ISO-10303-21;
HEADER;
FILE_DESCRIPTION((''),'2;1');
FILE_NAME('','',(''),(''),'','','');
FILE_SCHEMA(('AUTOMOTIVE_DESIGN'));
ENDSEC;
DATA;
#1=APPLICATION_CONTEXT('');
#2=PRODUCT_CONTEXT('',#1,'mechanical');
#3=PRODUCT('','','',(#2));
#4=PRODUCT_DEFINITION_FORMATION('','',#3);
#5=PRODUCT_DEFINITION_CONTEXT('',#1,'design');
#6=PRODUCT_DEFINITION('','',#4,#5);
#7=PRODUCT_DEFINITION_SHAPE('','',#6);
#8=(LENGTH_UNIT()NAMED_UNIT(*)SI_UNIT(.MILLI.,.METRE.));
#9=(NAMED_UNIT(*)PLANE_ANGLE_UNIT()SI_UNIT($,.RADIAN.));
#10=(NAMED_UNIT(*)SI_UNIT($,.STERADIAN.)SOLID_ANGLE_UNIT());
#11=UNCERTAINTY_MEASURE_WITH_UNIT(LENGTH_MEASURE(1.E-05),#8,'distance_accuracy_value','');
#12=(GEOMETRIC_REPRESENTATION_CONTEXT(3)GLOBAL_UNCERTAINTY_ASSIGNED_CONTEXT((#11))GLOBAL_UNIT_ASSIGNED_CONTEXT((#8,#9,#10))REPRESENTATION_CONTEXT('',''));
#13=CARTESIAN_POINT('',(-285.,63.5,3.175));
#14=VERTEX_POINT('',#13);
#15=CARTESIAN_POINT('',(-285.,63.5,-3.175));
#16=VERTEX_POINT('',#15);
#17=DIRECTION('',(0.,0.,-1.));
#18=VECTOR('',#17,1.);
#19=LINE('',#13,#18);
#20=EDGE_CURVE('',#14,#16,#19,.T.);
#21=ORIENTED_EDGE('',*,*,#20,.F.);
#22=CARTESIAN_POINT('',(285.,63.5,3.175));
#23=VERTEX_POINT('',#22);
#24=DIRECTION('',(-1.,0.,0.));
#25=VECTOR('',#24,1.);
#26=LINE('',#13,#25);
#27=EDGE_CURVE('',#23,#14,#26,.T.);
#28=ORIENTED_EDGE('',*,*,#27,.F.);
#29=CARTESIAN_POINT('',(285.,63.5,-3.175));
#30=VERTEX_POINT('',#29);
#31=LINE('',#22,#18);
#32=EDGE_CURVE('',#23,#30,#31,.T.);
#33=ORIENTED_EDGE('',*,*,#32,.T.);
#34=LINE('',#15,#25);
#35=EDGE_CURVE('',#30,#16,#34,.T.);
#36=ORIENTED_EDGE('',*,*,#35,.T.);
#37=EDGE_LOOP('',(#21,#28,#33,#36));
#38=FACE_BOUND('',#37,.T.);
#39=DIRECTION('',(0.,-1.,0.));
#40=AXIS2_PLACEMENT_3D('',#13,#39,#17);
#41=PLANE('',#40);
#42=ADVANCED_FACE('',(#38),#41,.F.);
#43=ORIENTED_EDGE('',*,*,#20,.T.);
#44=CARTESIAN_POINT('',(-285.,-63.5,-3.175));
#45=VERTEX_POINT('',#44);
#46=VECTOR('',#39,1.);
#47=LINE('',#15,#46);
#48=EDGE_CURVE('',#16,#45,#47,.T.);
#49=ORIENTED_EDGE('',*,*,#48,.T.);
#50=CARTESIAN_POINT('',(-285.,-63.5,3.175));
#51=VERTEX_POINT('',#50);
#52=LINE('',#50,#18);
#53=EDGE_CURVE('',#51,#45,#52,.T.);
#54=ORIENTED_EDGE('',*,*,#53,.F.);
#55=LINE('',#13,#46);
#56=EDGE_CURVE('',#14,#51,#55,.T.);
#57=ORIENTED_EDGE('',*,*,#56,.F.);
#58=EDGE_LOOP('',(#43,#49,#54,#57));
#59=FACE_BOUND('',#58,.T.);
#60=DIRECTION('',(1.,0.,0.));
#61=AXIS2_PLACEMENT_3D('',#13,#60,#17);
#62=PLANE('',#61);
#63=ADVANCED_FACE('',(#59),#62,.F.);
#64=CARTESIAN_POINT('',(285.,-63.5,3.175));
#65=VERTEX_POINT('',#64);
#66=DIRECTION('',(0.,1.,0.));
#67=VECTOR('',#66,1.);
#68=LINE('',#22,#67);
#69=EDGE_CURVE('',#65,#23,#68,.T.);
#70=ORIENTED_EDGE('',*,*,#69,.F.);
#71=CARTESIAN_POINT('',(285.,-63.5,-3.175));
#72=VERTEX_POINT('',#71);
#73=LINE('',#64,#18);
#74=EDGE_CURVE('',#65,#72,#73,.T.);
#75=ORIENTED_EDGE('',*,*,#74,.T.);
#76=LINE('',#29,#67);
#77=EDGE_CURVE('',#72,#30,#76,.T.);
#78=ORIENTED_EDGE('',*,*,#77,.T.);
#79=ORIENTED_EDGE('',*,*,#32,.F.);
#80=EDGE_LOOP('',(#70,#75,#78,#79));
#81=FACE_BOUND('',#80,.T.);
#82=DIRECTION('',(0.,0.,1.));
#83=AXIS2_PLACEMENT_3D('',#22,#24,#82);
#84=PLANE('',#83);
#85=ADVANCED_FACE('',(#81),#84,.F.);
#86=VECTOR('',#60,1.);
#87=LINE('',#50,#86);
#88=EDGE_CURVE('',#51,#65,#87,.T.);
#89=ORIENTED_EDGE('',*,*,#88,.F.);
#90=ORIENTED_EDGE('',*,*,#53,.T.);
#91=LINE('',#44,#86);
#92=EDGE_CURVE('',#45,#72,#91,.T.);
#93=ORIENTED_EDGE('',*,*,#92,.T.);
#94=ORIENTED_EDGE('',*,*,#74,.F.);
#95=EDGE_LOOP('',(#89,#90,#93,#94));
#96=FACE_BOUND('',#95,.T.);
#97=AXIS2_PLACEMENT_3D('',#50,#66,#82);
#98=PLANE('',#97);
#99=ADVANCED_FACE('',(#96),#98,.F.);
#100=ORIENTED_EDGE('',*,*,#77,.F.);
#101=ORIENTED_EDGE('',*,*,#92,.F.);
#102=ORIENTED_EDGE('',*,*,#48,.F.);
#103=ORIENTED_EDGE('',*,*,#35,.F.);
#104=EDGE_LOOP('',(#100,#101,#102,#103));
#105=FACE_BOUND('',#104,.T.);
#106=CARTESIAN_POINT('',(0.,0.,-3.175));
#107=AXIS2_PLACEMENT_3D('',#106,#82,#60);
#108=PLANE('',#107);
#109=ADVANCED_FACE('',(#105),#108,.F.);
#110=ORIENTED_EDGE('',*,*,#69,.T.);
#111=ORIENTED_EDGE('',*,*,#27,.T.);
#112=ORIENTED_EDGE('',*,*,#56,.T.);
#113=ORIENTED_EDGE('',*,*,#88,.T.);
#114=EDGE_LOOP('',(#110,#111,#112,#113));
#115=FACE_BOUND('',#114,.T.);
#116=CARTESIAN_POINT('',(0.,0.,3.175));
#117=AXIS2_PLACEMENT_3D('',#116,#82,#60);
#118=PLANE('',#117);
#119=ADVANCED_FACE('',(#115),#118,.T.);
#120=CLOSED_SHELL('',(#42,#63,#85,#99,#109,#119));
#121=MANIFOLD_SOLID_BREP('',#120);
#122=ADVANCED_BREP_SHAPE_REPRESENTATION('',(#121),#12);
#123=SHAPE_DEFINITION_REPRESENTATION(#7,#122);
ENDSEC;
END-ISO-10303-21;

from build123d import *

# Parameters (mm, degrees)
ESQUISSE1_W        = 570
ESQUISSE1_H        = 127
BOSS_EXTRU_1_DEPTH = 3.175


with BuildPart() as part:
    # Esquisse1 → Boss.-Extru.1 (new, symmetric)
    with BuildSketch(Plane.XY):
        Rectangle(ESQUISSE1_W, ESQUISSE1_H)
    extrude(amount=BOSS_EXTRU_1_DEPTH, both=True)


solid = part.part
